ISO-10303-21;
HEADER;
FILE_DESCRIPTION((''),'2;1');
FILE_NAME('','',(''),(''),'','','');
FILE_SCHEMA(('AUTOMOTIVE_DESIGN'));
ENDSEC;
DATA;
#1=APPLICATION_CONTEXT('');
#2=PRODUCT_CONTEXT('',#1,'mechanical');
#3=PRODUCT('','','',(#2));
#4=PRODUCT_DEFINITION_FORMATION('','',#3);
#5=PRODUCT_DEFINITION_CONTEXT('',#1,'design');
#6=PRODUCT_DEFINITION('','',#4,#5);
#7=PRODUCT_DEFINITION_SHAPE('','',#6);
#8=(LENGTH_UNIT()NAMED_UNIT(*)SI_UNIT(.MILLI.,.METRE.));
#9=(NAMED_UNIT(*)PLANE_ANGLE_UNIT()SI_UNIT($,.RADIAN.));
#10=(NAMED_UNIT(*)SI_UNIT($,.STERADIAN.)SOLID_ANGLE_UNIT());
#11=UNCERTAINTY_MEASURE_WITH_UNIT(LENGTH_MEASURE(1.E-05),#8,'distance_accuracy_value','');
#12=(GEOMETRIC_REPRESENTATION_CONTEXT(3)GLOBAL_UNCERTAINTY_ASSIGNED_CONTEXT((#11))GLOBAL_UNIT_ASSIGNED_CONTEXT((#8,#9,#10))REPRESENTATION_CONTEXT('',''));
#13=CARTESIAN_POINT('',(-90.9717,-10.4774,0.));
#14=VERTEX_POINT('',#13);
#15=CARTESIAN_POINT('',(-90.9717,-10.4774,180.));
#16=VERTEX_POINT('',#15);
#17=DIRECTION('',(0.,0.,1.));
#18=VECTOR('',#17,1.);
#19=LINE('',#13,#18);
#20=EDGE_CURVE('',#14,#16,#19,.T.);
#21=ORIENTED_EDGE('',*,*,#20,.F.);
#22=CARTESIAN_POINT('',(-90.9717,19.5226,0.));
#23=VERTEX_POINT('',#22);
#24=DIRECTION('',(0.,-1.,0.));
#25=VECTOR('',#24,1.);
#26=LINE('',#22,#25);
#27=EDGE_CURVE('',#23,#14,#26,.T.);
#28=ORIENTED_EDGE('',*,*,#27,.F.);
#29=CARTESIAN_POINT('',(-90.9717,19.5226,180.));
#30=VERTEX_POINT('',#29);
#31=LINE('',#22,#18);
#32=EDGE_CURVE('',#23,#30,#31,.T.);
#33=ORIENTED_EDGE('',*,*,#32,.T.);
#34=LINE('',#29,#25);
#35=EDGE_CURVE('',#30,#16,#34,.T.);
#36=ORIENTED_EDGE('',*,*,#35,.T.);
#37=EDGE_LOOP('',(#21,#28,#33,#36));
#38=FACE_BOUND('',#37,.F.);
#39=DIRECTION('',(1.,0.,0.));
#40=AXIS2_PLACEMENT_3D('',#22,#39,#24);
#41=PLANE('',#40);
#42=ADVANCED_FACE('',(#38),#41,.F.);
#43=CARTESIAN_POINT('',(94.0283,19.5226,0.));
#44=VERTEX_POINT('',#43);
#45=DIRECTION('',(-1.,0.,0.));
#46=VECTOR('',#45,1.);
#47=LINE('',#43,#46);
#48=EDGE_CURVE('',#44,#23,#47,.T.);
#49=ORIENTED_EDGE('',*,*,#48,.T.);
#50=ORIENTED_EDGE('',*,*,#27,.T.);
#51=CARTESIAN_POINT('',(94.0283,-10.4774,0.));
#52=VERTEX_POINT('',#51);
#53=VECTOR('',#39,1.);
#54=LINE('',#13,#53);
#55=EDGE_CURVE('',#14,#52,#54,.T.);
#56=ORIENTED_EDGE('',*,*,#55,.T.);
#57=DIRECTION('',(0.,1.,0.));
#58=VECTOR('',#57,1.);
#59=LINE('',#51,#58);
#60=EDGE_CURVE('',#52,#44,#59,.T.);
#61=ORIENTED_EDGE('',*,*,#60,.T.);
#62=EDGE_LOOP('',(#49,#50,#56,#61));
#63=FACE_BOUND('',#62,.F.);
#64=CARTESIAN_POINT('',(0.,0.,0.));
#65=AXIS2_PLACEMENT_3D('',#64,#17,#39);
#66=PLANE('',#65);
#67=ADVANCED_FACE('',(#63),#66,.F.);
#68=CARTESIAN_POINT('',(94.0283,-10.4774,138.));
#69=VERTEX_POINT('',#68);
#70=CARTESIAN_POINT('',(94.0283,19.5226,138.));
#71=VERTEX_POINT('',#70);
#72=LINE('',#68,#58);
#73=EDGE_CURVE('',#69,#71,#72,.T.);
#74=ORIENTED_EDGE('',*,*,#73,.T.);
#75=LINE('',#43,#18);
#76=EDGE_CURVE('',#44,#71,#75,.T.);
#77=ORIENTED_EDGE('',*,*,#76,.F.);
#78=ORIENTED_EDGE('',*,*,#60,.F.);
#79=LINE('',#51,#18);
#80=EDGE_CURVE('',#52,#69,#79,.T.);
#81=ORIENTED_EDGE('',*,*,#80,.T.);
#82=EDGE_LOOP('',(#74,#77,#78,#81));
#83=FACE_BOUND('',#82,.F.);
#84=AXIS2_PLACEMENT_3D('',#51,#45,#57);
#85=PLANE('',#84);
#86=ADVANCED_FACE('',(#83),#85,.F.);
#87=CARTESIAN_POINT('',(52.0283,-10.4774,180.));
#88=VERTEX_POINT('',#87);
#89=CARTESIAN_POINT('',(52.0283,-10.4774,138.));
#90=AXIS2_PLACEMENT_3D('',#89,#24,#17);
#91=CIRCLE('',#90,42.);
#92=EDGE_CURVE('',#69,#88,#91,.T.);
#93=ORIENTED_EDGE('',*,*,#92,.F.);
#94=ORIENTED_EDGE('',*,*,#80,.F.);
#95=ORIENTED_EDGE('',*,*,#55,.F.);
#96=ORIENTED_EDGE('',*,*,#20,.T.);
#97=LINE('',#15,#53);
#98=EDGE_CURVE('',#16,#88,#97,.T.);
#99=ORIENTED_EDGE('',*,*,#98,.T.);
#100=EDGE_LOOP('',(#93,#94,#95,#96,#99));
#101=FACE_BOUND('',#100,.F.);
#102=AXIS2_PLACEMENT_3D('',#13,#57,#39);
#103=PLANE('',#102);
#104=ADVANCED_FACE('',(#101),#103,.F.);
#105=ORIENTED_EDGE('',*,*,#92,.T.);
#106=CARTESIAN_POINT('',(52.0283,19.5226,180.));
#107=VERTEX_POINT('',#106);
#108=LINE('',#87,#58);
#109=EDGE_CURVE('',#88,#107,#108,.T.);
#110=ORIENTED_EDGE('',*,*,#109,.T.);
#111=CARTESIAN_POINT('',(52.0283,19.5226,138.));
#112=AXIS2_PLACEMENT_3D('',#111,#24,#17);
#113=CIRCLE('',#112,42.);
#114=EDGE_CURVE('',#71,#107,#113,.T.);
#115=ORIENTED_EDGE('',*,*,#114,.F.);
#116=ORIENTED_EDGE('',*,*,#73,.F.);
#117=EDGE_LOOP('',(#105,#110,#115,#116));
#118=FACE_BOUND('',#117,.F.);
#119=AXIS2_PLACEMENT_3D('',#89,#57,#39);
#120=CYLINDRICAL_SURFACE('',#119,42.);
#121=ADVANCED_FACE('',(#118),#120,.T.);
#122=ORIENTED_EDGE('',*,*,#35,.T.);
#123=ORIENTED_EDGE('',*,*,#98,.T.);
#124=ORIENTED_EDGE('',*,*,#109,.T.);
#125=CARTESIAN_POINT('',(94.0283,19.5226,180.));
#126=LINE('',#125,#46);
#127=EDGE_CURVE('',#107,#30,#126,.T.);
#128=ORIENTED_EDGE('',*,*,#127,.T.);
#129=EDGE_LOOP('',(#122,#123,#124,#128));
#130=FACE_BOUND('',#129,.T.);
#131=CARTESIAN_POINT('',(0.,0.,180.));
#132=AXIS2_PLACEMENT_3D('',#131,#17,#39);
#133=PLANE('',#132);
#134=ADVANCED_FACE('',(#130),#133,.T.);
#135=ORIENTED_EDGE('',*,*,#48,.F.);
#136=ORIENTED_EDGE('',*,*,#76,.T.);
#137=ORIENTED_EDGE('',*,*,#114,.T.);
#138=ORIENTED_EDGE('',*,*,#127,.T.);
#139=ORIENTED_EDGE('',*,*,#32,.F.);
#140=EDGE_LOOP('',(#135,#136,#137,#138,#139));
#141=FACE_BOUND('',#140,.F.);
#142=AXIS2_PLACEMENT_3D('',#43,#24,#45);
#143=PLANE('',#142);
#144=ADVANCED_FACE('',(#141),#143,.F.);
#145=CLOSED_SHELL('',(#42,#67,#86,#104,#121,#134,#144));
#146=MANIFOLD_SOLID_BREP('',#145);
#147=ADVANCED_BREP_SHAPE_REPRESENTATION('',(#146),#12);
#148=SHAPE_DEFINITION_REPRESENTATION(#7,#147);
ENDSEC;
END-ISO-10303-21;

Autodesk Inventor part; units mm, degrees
ref_plane "YZ Plane" through (0, 0, 0) normal (1, 0, 0) x (0, 1, 0)
ref_plane "XZ Plane" through (0, 0, 0) normal (0, 1, 0) x (-1, 0, 0)
ref_plane "XY Plane" through (0, 0, 0) normal (0, 0, 1) x (1, 0, 0)
sketch "Эскиз1" plane through (0, 0, 0) normal (0, 0, 1) x (1, 0, 0)
  line L0 (-90.9717, -10.4774) -> (94.0283, -10.4774)
  line L1 (94.0283, -10.4774) -> (94.0283, 19.5226)
  line L2 (94.0283, 19.5226) -> (-90.9717, 19.5226)
  line L3 (-90.9717, 19.5226) -> (-90.9717, -10.4774)
  dimension "d2" = 185
  dimension "parametr_D" = 30
extrude "Выдавливание1" add sketch "Эскиз1" along normal blind 180
fillet "Сопряжение1" radius 42 1 edges at (94.0283, 4.5226, 180)
sketch "Эскиз3" plane through (-90.9717, -10.4774, 0) normal (0, -1, 0) x (1, 0, 0)
  point P0 (115, 21.3555)
sketch "Эскиз4" plane through (-90.9717, -10.4774, 0) normal (0, -1, 0) x (1, 0, 0)
  point P0 (15, 33)
equation "\"d2\" = parametr_A_"
equation "\"parametr_D\" = parametr_C_"
equation "\"d4\" = parametr_B_"
equation "\"parametr_A_\" = 185"
equation "\"parametr_C_\" = 30"
equation "\"parametr_B_\" = 180"
properties part number "lw_6_part2"
